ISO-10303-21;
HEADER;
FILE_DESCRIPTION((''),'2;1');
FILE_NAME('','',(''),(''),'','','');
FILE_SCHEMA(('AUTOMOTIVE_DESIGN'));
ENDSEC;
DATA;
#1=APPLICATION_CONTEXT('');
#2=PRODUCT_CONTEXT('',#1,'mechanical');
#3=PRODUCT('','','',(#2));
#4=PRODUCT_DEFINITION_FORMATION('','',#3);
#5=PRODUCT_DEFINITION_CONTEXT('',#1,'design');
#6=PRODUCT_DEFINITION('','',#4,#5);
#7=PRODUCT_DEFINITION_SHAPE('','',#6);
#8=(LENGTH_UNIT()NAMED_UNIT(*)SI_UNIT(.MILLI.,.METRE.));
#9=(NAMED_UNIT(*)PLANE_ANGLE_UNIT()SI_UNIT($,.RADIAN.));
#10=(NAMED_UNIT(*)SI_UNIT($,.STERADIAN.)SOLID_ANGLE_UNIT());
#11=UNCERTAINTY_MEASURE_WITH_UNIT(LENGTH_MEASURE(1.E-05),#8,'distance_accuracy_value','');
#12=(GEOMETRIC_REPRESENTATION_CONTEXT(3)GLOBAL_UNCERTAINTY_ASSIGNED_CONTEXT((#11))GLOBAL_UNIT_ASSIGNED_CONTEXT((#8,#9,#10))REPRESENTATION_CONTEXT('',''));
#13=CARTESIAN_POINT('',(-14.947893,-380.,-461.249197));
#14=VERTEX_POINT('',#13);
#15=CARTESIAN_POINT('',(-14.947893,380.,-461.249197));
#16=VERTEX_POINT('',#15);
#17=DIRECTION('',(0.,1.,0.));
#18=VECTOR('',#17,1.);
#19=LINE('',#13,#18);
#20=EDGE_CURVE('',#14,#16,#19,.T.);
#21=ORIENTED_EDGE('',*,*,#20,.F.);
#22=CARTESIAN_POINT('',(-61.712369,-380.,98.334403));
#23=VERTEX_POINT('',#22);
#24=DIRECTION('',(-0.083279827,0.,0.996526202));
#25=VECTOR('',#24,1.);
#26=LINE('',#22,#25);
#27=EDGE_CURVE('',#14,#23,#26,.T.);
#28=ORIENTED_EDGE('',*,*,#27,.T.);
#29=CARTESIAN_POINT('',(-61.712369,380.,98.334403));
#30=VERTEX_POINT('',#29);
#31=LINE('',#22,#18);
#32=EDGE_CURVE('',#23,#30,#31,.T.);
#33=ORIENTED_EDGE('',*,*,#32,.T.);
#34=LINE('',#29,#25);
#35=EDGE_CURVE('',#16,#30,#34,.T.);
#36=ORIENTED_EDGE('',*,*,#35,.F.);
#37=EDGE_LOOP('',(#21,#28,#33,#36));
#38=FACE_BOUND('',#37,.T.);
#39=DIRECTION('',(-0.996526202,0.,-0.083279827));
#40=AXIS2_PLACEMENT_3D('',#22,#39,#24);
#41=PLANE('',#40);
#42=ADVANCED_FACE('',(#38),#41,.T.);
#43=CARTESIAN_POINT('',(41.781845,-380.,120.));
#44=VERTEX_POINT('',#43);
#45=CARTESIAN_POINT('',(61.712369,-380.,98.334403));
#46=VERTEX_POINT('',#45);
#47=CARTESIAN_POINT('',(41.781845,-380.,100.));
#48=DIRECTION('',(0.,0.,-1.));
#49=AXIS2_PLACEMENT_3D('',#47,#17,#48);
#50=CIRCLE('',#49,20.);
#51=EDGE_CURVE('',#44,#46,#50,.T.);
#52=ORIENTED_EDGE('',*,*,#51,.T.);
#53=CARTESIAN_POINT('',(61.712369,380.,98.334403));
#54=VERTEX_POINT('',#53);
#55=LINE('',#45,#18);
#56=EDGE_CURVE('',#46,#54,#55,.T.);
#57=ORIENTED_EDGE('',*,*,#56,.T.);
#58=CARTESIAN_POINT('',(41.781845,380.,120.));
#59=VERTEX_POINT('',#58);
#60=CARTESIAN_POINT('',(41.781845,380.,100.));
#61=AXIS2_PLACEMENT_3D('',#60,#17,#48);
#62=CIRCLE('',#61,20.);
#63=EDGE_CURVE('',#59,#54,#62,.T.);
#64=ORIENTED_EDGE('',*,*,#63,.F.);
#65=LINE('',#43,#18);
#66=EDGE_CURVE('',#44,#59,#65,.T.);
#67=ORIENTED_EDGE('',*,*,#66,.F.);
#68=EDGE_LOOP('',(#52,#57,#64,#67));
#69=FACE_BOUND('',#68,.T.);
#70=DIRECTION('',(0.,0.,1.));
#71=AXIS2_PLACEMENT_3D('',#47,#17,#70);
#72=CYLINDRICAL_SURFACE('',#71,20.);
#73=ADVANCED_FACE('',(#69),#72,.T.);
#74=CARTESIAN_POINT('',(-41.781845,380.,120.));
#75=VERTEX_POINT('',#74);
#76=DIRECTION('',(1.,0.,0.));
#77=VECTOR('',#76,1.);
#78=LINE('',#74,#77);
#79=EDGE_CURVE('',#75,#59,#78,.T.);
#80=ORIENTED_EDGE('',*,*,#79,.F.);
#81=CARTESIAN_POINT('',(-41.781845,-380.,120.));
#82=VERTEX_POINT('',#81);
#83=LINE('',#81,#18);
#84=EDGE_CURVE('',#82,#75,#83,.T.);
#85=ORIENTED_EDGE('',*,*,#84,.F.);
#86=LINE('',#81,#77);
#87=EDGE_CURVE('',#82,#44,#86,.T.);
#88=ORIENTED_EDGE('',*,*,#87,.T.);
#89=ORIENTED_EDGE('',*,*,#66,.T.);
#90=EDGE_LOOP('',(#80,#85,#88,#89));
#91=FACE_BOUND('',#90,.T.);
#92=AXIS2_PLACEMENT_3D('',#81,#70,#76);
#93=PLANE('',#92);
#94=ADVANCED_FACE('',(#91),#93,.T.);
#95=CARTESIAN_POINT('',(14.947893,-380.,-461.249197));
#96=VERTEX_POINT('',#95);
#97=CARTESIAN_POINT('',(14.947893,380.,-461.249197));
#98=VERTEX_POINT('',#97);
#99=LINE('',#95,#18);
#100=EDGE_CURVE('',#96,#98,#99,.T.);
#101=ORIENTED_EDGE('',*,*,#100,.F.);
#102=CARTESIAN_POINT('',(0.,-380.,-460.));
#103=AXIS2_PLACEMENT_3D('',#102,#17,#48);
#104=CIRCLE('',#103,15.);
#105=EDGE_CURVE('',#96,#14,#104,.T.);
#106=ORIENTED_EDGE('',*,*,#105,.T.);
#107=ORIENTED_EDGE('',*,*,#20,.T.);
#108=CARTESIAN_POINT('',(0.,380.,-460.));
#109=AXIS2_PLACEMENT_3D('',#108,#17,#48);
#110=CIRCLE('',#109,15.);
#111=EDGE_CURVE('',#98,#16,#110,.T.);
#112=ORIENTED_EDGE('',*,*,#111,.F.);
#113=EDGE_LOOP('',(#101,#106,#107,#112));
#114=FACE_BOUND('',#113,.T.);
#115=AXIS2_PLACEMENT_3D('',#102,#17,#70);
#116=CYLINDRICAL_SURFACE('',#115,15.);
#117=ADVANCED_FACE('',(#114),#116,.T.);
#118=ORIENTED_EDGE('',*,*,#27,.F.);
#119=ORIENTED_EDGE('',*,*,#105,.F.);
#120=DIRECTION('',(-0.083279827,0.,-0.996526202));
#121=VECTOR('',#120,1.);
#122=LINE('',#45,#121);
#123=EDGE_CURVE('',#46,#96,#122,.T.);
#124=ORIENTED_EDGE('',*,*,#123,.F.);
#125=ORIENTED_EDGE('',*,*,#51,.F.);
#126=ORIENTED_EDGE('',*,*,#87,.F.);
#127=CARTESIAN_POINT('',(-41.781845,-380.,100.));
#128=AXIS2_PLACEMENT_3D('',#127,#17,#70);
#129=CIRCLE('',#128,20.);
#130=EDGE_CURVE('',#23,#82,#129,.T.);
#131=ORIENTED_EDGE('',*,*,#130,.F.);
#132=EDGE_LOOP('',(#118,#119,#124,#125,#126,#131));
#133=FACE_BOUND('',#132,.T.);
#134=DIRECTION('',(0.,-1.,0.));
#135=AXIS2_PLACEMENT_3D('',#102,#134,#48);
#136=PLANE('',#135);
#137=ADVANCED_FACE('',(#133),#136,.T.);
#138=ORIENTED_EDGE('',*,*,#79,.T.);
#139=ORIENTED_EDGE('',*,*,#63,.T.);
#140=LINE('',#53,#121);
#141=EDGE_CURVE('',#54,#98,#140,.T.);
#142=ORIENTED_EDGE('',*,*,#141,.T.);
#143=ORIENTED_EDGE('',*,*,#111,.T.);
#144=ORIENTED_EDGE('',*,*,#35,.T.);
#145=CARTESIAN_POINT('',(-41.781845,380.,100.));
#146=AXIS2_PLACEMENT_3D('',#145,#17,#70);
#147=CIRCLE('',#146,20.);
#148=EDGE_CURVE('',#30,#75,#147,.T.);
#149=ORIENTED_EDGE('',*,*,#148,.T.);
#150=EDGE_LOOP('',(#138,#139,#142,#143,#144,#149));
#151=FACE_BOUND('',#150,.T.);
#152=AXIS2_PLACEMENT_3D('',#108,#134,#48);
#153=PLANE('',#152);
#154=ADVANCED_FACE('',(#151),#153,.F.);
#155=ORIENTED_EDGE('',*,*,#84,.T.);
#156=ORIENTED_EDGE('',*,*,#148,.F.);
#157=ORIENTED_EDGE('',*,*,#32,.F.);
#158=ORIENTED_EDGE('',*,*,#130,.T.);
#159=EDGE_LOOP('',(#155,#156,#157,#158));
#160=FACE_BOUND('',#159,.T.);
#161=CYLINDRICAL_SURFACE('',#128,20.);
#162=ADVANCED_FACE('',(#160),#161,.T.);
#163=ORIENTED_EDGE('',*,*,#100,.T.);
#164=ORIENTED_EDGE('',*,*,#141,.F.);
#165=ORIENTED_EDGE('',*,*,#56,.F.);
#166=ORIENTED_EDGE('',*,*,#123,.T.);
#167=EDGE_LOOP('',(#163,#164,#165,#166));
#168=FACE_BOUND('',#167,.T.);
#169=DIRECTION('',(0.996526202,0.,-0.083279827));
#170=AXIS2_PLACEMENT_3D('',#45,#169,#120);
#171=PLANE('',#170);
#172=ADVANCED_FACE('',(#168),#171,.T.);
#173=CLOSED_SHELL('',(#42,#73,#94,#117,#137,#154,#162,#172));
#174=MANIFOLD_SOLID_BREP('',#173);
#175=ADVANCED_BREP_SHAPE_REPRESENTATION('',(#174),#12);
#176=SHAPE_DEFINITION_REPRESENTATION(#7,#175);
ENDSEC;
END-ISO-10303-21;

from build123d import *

# Parameters (mm, degrees)
BOSS_EXTRUDE1_DEPTH      = 380
BOSS_EXTRUDE1_DEPTH_BACK = 380


with BuildPart() as part:
    # Sketch1 → Boss-Extrude1 (new, two sides: drawn at the far end of the back side and taken through both)
    with BuildSketch(Plane(origin=(0, 0, 0), x_dir=(1, 0, 0), z_dir=(0, 1, 0)).offset(-BOSS_EXTRUDE1_DEPTH_BACK)):
        with BuildLine():
            Line((-61.712368752, -98.334403464), (-14.947893024, 461.249197402))
            ThreePointArc((-14.947893024, 461.249197402), (0, 475), (14.947893024, 461.249197402))
            Line((14.947893024, 461.249197402), (61.712368752, -98.334403464))
            ThreePointArc((61.712368752, -98.334403464), (56.501082654, -113.540459174), (41.78184472, -120))
            Line((41.78184472, -120), (-41.78184472, -120))
            ThreePointArc((-41.78184472, -120), (-56.501082654, -113.540459174), (-61.712368752, -98.334403464))
        make_face()
    extrude(amount=BOSS_EXTRUDE1_DEPTH + BOSS_EXTRUDE1_DEPTH_BACK)


solid = part.part
